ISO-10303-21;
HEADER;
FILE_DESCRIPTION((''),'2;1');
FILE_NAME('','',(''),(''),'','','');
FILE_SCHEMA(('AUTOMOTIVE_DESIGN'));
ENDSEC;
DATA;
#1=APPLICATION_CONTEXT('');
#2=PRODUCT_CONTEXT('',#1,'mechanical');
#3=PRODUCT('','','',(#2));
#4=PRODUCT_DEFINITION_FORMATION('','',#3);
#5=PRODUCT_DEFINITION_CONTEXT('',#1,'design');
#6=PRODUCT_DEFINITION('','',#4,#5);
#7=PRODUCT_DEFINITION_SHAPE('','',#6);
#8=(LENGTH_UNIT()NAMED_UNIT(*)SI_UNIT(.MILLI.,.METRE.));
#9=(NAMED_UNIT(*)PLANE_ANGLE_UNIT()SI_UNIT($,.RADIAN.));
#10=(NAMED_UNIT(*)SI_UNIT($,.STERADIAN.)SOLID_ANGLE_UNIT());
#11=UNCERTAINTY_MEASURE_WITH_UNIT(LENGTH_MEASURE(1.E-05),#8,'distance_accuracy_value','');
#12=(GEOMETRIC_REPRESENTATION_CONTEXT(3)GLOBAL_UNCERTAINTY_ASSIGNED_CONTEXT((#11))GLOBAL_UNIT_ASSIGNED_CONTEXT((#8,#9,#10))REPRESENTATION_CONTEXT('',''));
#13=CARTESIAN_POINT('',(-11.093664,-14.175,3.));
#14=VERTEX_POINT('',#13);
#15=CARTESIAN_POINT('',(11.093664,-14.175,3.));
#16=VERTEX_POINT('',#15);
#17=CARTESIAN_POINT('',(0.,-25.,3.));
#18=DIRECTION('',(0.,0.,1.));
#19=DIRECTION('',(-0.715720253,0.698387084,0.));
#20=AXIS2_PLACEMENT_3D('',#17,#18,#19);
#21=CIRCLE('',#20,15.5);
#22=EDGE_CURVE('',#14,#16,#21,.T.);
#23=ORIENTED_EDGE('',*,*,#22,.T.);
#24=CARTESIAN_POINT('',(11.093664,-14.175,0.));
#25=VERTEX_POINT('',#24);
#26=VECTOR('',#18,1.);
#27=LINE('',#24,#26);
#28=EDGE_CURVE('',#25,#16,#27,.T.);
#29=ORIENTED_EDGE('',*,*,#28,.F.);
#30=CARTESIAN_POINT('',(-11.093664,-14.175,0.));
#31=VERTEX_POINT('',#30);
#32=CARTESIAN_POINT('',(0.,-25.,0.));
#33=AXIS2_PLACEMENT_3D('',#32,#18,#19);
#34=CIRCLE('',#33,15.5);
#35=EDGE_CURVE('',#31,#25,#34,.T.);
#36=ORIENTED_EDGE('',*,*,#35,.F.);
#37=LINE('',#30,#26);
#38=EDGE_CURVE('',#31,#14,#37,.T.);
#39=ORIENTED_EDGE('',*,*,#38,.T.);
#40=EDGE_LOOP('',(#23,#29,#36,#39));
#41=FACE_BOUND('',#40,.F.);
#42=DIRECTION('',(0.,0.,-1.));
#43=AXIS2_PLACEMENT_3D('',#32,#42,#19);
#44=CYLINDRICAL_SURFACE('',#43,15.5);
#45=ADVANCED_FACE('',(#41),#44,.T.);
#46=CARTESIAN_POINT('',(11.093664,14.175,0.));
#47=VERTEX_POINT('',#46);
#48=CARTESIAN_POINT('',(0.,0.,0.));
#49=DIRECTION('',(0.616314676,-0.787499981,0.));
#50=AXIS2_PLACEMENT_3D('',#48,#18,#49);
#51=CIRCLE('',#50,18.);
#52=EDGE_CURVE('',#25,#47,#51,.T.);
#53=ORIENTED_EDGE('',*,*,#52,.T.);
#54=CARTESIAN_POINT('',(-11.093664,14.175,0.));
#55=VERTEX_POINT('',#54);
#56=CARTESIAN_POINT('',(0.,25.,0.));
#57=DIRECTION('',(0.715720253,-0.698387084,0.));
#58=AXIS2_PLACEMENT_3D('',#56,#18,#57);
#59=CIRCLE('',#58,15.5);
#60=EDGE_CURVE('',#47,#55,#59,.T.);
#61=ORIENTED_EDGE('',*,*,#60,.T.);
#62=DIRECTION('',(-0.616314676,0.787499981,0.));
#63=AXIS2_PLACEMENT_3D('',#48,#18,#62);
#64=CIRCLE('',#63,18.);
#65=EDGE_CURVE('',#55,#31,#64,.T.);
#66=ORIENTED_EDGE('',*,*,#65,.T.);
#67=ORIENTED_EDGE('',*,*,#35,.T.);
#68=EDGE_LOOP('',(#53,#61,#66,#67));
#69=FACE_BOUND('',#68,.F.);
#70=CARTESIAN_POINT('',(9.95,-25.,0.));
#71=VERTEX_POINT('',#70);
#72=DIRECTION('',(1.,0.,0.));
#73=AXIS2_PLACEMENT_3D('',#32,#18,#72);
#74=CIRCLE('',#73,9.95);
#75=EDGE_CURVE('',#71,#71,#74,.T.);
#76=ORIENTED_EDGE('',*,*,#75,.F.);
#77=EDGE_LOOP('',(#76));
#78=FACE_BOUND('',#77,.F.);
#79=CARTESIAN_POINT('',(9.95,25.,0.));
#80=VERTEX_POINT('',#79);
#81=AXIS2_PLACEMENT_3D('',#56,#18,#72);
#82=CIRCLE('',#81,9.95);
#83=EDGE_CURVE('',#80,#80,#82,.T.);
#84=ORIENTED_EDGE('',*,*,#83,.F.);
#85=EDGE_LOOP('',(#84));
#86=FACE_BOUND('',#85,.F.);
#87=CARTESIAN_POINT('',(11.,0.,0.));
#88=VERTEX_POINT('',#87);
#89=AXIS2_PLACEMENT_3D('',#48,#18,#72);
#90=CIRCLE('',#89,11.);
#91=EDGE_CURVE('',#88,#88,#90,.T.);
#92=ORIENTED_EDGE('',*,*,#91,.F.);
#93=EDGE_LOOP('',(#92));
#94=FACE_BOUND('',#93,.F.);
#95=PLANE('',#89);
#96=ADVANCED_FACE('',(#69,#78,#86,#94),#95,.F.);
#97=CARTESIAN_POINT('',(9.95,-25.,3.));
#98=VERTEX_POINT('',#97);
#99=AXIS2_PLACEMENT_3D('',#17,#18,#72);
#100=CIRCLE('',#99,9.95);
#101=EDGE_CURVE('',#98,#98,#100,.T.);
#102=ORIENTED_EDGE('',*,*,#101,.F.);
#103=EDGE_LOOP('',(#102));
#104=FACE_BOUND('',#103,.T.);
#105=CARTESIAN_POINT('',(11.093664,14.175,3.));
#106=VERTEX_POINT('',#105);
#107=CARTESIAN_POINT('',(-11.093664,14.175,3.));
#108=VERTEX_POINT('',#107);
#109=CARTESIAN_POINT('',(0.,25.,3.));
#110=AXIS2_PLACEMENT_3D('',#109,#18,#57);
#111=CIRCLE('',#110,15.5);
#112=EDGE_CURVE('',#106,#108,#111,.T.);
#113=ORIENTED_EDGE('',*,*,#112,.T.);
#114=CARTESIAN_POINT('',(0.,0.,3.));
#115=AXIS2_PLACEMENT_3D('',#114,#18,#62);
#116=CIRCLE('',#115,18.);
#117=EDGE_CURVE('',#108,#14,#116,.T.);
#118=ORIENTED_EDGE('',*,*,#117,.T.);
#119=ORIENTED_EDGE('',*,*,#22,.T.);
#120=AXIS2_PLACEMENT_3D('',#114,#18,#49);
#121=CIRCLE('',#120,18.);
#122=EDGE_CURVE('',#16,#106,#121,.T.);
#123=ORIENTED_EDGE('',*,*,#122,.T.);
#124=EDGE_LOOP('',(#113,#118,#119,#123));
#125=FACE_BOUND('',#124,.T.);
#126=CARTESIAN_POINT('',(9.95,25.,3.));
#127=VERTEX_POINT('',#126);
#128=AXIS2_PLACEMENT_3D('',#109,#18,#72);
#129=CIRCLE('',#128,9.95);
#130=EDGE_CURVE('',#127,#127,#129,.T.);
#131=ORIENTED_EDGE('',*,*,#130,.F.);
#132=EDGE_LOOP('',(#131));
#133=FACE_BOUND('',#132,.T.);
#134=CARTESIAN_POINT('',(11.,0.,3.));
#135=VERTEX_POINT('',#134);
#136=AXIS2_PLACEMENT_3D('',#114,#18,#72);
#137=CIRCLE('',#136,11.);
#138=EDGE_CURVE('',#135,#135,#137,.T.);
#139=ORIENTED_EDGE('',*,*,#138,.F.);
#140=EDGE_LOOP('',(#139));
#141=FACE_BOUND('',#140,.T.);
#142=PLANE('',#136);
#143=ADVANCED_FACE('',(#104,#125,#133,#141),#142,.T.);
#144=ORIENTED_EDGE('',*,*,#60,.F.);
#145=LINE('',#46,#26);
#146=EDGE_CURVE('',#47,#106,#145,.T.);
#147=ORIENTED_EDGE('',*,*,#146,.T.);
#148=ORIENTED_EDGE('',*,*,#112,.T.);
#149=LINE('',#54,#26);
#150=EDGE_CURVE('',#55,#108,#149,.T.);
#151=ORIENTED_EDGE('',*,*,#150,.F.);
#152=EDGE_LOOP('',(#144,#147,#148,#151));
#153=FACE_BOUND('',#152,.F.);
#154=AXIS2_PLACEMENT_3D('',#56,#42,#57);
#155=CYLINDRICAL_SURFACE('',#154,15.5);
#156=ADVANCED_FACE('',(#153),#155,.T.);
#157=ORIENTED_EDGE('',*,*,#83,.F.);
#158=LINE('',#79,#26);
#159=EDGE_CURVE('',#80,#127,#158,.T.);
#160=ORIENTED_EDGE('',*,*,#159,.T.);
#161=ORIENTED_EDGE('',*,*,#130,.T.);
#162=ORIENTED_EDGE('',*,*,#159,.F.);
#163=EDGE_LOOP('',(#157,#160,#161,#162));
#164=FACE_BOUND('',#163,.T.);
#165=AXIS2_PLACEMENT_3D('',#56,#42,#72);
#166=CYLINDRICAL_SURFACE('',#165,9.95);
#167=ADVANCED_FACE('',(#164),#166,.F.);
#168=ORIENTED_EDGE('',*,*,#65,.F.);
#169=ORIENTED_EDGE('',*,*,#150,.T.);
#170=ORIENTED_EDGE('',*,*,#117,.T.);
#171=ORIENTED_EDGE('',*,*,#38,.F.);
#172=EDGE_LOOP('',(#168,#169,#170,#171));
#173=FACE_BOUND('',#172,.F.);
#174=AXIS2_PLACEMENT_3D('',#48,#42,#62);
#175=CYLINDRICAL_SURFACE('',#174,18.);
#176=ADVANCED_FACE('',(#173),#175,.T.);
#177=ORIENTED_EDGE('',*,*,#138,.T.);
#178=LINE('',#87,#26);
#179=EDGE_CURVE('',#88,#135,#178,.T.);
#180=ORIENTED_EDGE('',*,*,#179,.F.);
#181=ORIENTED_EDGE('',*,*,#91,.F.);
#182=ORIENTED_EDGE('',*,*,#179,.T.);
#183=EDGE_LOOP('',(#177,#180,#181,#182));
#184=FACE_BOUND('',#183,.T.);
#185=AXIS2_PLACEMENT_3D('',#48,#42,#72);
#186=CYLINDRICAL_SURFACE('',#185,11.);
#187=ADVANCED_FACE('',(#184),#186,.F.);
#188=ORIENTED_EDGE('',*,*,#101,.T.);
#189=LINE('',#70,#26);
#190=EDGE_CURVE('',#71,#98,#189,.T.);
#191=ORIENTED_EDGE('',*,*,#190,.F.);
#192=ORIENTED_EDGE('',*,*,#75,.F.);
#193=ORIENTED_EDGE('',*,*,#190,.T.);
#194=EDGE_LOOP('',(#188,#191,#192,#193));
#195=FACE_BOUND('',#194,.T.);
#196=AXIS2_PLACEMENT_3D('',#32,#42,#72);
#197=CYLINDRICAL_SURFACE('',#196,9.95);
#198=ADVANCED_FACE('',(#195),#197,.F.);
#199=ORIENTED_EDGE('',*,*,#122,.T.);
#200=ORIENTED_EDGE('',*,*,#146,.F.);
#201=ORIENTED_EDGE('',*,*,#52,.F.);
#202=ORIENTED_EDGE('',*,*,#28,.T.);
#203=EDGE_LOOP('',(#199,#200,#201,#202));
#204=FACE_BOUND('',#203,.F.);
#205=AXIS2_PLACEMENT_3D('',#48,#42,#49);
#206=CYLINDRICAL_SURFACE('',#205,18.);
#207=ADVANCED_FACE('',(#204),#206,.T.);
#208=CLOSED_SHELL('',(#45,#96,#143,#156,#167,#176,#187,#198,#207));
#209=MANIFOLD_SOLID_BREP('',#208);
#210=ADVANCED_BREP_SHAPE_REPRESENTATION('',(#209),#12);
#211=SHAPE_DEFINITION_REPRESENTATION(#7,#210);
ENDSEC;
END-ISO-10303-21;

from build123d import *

# Parameters (mm, degrees)
F0_R     = 9.95
F0_R_2   = 11
F1_DEPTH = 3


with BuildPart() as f1:
    # F0 (on Top) → F1 (new body)
    with BuildSketch(Plane.XY):
        with BuildLine():
            ThreePointArc((11.093664, -14.175), (18, 0), (11.093664, 14.175))
            ThreePointArc((11.093664, 14.175), (0, 40.5), (-11.093664, 14.175))
            ThreePointArc((-11.093664, 14.175), (-18, 0), (-11.093664, -14.175))
            ThreePointArc((-11.093664, -14.175), (0, -40.5), (11.093664, -14.175))
        make_face()
        with Locations((0, -25)):
            Circle(F0_R, mode=Mode.SUBTRACT)
        Circle(F0_R_2, mode=Mode.SUBTRACT)
        with Locations((0, 25)):
            Circle(F0_R, mode=Mode.SUBTRACT)
    extrude(amount=F1_DEPTH)


solid = f1.part
